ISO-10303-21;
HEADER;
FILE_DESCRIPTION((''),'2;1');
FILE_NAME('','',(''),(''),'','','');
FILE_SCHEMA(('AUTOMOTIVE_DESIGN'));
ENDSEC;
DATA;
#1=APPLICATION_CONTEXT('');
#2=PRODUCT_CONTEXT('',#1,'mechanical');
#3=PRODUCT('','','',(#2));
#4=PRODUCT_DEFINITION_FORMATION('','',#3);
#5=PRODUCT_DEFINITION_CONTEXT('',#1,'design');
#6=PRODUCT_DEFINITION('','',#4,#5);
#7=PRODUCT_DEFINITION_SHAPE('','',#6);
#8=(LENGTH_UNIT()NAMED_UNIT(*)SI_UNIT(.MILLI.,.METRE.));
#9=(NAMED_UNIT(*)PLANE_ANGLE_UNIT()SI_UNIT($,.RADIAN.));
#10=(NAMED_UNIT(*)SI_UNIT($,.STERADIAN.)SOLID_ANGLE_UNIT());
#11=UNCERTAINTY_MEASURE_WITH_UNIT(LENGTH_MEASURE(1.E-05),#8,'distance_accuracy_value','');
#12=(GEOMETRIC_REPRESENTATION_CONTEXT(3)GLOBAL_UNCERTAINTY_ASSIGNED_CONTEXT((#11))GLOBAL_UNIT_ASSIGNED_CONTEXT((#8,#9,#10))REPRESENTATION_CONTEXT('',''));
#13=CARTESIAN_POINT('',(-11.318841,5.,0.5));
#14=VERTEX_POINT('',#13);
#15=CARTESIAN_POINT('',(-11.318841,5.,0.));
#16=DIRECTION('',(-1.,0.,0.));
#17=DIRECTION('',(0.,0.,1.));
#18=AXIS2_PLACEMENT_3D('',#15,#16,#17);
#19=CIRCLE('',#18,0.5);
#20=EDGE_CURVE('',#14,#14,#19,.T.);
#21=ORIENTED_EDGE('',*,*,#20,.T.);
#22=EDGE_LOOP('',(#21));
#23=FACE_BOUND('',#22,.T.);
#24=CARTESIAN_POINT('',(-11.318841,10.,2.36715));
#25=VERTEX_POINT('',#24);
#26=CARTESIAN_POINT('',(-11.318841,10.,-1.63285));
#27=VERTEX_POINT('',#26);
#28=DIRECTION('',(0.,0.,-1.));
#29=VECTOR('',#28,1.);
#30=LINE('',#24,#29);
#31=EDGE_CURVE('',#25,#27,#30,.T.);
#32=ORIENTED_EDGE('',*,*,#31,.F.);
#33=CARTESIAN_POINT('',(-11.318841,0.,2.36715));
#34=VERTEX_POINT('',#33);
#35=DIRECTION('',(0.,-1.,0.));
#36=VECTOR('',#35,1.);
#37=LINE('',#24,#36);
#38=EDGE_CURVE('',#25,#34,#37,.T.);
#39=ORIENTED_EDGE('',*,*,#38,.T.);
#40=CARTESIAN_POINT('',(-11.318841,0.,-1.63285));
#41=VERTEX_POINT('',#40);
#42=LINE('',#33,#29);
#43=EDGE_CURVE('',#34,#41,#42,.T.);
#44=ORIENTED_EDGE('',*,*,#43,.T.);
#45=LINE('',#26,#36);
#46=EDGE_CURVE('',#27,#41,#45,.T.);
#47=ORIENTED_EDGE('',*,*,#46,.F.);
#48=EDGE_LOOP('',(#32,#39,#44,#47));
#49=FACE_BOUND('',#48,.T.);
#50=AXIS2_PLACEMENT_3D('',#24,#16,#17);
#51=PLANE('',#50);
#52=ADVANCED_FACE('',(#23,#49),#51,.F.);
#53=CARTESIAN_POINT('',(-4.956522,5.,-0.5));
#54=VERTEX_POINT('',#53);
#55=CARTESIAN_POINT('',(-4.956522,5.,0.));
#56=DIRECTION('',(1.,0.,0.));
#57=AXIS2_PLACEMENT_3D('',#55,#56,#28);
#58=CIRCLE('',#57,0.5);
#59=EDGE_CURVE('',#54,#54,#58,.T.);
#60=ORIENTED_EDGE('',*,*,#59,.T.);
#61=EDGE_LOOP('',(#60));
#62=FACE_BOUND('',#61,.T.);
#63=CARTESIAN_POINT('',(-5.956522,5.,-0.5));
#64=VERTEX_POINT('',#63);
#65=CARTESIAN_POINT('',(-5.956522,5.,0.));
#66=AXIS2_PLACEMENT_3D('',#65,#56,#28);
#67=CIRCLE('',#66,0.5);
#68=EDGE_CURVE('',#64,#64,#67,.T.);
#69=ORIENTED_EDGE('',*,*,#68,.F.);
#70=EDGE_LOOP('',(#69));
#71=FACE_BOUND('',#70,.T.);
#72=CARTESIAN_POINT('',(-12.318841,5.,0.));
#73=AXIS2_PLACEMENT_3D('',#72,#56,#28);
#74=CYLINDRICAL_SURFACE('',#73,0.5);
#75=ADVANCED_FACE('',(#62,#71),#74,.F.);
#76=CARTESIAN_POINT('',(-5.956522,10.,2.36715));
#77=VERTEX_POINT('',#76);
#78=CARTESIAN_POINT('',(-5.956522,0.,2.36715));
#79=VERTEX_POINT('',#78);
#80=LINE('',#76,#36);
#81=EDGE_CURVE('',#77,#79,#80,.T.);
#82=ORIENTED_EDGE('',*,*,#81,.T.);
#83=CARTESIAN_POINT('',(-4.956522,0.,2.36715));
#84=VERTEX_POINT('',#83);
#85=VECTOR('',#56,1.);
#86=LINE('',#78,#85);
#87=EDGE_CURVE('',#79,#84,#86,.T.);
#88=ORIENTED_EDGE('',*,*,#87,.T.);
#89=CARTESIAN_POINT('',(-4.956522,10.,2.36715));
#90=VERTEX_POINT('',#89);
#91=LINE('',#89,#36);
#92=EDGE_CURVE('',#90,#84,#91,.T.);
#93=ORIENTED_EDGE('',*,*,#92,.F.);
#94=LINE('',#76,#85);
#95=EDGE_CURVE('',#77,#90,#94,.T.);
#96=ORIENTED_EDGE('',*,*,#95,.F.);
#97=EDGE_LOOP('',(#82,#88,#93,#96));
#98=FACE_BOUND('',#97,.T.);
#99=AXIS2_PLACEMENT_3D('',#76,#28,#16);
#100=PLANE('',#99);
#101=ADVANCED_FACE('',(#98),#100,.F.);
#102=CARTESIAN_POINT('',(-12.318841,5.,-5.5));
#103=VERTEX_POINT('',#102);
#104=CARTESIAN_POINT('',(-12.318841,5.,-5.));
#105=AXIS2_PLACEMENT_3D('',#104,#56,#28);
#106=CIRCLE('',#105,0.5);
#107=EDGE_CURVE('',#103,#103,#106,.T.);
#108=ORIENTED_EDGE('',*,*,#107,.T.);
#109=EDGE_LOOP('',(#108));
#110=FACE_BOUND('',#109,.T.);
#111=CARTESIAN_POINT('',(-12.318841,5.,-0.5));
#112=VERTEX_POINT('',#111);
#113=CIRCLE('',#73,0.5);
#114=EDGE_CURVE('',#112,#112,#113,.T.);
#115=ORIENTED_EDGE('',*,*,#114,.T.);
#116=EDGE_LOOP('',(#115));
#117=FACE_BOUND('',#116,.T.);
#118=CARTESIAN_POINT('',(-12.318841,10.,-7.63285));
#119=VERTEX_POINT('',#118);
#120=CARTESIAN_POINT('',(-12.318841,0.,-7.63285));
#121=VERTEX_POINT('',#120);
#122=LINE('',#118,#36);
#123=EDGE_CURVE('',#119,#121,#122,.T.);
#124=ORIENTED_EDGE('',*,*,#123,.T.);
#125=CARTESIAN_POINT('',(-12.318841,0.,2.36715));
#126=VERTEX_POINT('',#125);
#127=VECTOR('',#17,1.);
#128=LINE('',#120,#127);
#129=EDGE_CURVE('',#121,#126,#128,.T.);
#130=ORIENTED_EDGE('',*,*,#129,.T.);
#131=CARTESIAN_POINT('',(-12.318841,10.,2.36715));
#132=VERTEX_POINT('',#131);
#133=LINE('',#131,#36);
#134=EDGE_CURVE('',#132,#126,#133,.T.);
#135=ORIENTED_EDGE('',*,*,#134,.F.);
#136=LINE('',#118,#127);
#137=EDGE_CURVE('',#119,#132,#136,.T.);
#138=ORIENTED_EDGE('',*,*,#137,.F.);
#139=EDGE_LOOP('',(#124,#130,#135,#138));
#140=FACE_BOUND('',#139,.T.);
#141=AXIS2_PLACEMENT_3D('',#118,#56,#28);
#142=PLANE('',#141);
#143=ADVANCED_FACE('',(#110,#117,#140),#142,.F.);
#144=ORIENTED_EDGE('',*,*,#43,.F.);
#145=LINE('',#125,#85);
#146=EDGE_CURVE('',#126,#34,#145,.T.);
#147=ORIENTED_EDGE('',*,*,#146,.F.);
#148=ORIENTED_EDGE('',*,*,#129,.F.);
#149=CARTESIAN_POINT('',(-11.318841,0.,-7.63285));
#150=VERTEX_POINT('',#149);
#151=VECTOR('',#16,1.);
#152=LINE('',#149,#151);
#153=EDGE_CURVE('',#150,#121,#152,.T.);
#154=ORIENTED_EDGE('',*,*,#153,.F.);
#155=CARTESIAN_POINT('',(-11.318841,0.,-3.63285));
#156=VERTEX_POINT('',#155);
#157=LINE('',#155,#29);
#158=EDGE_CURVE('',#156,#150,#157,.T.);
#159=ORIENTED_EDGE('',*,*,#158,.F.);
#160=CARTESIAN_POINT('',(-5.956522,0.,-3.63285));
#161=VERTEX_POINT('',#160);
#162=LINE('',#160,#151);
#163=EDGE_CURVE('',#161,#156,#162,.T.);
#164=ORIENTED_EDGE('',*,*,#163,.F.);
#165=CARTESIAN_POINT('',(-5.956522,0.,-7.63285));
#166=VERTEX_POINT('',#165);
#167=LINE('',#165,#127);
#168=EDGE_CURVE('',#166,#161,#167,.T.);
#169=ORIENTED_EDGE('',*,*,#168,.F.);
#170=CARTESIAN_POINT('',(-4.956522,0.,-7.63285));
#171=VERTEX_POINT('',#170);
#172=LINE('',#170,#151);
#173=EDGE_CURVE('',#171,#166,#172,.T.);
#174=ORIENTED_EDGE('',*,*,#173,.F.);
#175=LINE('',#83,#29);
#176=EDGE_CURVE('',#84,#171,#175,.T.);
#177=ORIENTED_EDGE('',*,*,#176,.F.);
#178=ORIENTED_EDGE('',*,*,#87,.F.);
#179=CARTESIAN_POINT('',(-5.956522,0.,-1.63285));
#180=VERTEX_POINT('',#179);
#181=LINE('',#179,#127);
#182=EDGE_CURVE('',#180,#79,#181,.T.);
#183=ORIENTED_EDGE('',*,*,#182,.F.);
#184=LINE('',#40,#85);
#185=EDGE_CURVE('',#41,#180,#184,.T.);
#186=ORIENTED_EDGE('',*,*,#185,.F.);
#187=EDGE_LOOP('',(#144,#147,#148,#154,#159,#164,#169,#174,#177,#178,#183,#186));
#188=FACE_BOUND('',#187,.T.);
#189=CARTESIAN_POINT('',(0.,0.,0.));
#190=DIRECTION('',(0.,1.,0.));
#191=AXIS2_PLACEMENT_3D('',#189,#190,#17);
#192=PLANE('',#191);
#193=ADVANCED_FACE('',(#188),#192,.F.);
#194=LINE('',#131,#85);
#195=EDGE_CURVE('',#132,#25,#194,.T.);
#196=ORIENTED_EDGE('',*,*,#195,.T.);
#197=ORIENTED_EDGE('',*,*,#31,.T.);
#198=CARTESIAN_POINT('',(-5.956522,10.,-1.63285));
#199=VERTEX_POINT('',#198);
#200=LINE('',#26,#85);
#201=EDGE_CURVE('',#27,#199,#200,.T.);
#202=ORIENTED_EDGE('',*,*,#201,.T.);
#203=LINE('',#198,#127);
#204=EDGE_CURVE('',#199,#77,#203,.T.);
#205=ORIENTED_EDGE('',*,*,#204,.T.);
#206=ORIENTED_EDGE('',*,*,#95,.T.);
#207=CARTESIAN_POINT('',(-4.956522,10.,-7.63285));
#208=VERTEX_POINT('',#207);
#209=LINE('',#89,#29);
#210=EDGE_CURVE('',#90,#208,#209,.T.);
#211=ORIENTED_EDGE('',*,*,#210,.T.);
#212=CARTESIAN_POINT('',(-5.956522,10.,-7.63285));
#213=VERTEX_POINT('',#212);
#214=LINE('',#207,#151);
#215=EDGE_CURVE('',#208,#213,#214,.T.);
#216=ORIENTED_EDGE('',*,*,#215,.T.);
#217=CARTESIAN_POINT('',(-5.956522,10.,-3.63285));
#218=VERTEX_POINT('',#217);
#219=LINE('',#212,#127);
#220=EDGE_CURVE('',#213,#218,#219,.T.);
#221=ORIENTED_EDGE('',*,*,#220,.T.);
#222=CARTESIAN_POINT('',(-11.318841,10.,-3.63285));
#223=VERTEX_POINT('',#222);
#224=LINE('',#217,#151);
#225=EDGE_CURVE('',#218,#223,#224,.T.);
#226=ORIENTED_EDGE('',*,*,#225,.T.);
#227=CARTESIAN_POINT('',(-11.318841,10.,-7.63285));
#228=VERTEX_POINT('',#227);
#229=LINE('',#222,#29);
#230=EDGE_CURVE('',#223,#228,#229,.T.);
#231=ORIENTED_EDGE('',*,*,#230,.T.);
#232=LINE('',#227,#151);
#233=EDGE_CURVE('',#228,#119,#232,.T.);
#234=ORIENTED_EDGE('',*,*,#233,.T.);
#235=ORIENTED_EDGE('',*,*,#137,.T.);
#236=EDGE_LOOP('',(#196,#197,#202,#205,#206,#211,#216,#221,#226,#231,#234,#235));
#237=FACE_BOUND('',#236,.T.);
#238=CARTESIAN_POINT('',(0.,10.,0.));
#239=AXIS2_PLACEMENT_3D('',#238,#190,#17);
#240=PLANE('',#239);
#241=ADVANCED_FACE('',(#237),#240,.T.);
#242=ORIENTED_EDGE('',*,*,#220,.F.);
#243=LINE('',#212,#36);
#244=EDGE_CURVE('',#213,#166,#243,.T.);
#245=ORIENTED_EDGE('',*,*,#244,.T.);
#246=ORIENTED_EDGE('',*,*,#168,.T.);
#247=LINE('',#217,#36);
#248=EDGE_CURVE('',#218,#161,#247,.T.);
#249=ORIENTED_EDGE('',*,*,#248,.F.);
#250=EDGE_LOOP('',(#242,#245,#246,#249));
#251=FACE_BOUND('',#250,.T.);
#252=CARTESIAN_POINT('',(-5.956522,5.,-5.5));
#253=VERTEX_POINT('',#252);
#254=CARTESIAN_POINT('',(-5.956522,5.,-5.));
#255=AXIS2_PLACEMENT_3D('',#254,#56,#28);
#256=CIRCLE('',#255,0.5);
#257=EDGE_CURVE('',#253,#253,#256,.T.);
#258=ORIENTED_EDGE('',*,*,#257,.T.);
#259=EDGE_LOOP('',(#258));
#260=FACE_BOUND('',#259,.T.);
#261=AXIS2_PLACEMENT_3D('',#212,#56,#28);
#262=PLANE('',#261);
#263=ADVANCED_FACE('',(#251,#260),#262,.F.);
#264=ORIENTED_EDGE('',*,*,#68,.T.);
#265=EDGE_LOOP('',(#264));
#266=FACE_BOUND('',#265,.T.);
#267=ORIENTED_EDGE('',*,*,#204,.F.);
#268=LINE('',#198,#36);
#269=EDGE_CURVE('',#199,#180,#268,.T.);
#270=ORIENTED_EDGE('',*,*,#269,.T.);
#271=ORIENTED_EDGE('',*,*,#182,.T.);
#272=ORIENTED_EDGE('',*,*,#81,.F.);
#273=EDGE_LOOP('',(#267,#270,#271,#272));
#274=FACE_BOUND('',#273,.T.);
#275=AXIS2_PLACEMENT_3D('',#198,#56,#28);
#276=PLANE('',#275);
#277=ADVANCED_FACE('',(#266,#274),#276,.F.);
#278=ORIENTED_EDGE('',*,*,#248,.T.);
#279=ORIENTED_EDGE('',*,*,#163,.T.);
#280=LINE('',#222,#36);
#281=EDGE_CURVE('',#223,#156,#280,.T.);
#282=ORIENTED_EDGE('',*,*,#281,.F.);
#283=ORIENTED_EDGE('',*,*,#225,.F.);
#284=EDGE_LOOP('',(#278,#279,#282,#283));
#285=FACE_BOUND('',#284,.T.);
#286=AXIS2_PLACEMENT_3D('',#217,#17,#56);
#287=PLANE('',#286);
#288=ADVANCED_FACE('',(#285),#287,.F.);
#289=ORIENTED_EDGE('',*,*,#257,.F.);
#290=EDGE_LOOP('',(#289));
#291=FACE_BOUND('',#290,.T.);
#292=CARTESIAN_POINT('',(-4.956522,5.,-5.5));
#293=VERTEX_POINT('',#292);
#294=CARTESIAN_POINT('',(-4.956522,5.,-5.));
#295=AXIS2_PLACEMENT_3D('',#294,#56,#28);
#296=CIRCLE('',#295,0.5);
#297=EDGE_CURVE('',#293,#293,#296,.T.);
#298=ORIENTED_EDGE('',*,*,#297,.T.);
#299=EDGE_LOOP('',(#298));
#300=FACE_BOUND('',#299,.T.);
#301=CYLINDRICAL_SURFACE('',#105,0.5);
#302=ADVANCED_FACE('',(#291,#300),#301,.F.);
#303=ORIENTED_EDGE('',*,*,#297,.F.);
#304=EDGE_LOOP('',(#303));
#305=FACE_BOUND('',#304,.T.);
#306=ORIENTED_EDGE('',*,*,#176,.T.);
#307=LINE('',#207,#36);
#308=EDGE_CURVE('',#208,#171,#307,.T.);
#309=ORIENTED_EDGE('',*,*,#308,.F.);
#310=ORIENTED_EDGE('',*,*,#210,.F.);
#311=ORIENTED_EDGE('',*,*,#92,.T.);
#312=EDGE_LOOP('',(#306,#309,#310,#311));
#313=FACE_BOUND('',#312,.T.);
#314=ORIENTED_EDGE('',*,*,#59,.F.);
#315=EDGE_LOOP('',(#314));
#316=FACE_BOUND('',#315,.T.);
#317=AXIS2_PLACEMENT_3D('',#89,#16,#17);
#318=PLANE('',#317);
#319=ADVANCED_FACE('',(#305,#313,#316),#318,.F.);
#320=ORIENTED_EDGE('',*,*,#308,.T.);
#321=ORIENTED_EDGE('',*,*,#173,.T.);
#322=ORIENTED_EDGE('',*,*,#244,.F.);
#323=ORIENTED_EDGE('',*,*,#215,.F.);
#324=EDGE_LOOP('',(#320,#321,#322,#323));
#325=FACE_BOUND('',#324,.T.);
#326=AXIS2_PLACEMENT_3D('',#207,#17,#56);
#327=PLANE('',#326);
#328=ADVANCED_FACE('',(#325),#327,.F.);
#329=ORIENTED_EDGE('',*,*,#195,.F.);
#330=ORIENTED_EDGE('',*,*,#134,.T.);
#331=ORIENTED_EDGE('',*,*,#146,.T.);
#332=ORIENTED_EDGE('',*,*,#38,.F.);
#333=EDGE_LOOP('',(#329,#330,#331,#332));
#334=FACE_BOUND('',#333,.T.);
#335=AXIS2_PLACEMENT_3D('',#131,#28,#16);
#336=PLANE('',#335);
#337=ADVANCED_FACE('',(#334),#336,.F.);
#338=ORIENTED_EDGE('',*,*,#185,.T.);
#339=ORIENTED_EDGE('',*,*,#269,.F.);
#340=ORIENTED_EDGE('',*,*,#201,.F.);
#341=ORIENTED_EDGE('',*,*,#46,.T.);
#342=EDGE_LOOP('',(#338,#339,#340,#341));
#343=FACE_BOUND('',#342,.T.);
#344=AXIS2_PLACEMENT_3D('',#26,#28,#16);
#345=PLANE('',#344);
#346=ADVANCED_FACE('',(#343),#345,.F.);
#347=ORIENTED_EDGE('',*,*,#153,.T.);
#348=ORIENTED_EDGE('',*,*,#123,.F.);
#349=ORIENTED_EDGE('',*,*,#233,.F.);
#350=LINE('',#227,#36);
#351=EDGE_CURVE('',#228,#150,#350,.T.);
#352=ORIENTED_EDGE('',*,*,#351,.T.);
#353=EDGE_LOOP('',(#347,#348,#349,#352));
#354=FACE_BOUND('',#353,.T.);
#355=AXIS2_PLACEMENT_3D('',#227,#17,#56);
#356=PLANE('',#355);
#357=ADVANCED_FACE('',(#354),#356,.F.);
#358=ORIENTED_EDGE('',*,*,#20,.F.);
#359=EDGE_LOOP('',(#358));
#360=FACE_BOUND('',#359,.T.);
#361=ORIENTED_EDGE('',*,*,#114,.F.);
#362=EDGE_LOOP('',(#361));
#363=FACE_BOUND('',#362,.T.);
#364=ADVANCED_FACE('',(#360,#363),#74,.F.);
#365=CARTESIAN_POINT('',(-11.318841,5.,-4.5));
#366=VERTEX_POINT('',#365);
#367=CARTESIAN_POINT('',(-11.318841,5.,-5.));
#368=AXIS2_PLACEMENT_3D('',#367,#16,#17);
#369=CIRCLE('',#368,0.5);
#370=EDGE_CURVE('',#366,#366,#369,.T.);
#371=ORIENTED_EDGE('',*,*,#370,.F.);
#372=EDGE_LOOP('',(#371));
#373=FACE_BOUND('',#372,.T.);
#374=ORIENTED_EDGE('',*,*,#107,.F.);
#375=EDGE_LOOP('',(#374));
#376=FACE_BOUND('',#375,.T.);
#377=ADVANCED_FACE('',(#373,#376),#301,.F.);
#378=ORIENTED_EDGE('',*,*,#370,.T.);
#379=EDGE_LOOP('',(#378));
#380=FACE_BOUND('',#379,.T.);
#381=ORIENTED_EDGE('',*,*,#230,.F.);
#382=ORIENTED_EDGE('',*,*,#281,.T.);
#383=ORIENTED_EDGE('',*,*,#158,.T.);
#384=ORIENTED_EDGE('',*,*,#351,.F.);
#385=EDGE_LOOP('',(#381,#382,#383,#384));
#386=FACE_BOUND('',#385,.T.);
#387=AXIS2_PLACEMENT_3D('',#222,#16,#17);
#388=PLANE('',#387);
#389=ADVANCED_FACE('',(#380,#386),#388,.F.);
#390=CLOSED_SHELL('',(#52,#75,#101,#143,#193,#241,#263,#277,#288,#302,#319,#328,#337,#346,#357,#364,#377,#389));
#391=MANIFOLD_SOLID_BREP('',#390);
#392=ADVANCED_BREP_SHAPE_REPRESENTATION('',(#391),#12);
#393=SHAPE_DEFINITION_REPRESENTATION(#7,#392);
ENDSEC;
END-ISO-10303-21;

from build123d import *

# Parameters (mm, degrees)
BOSS_EXTRUDE2_DEPTH = 10
SKETCH2_R           = 0.5
CUT_EXTRUDE1_DEPTH  = 15.57614975
LPATTERN1_COUNT     = 2
LPATTERN1_PITCH     = 5


with BuildPart() as part:
    # Sketch1 → Boss-Extrude2 (new body)
    with BuildSketch(Plane(origin=(0, 0, 0), x_dir=(1, 0, 0), z_dir=(0, 1, 0))):
        Polygon((-12.31884058, 7.632850242), (-12.31884058, -2.367149758), (-11.31884058, -2.367149758), (-11.31884058, 1.632850242), (-5.956521739, 1.632850242), (-5.956521739, -2.367149758), (-4.956521739, -2.367149758), (-4.956521739, 7.632850242), (-5.956521739, 7.632850242), (-5.956521739, 3.632850242), (-11.31884058, 3.632850242), (-11.31884058, 7.632850242), align=None)
    extrude(amount=BOSS_EXTRUDE2_DEPTH)

    # Sketch2 → Cut-Extrude1 (cut, through all)
    with BuildSketch(Plane(origin=(-4.956521739, 0, 0), x_dir=(0, 0, -1), z_dir=(1, 0, 0))):
        with Locations((0, 5)):
            Circle(SKETCH2_R)
    cut_extrude1 = extrude(amount=-CUT_EXTRUDE1_DEPTH, mode=Mode.SUBTRACT)

    # LPattern1: Cut-Extrude1 ×2
    with Locations(*[(0, 0, -i * LPATTERN1_PITCH) for i in range(1, LPATTERN1_COUNT)]):
        add(cut_extrude1, mode=Mode.SUBTRACT)


solid = part.part
